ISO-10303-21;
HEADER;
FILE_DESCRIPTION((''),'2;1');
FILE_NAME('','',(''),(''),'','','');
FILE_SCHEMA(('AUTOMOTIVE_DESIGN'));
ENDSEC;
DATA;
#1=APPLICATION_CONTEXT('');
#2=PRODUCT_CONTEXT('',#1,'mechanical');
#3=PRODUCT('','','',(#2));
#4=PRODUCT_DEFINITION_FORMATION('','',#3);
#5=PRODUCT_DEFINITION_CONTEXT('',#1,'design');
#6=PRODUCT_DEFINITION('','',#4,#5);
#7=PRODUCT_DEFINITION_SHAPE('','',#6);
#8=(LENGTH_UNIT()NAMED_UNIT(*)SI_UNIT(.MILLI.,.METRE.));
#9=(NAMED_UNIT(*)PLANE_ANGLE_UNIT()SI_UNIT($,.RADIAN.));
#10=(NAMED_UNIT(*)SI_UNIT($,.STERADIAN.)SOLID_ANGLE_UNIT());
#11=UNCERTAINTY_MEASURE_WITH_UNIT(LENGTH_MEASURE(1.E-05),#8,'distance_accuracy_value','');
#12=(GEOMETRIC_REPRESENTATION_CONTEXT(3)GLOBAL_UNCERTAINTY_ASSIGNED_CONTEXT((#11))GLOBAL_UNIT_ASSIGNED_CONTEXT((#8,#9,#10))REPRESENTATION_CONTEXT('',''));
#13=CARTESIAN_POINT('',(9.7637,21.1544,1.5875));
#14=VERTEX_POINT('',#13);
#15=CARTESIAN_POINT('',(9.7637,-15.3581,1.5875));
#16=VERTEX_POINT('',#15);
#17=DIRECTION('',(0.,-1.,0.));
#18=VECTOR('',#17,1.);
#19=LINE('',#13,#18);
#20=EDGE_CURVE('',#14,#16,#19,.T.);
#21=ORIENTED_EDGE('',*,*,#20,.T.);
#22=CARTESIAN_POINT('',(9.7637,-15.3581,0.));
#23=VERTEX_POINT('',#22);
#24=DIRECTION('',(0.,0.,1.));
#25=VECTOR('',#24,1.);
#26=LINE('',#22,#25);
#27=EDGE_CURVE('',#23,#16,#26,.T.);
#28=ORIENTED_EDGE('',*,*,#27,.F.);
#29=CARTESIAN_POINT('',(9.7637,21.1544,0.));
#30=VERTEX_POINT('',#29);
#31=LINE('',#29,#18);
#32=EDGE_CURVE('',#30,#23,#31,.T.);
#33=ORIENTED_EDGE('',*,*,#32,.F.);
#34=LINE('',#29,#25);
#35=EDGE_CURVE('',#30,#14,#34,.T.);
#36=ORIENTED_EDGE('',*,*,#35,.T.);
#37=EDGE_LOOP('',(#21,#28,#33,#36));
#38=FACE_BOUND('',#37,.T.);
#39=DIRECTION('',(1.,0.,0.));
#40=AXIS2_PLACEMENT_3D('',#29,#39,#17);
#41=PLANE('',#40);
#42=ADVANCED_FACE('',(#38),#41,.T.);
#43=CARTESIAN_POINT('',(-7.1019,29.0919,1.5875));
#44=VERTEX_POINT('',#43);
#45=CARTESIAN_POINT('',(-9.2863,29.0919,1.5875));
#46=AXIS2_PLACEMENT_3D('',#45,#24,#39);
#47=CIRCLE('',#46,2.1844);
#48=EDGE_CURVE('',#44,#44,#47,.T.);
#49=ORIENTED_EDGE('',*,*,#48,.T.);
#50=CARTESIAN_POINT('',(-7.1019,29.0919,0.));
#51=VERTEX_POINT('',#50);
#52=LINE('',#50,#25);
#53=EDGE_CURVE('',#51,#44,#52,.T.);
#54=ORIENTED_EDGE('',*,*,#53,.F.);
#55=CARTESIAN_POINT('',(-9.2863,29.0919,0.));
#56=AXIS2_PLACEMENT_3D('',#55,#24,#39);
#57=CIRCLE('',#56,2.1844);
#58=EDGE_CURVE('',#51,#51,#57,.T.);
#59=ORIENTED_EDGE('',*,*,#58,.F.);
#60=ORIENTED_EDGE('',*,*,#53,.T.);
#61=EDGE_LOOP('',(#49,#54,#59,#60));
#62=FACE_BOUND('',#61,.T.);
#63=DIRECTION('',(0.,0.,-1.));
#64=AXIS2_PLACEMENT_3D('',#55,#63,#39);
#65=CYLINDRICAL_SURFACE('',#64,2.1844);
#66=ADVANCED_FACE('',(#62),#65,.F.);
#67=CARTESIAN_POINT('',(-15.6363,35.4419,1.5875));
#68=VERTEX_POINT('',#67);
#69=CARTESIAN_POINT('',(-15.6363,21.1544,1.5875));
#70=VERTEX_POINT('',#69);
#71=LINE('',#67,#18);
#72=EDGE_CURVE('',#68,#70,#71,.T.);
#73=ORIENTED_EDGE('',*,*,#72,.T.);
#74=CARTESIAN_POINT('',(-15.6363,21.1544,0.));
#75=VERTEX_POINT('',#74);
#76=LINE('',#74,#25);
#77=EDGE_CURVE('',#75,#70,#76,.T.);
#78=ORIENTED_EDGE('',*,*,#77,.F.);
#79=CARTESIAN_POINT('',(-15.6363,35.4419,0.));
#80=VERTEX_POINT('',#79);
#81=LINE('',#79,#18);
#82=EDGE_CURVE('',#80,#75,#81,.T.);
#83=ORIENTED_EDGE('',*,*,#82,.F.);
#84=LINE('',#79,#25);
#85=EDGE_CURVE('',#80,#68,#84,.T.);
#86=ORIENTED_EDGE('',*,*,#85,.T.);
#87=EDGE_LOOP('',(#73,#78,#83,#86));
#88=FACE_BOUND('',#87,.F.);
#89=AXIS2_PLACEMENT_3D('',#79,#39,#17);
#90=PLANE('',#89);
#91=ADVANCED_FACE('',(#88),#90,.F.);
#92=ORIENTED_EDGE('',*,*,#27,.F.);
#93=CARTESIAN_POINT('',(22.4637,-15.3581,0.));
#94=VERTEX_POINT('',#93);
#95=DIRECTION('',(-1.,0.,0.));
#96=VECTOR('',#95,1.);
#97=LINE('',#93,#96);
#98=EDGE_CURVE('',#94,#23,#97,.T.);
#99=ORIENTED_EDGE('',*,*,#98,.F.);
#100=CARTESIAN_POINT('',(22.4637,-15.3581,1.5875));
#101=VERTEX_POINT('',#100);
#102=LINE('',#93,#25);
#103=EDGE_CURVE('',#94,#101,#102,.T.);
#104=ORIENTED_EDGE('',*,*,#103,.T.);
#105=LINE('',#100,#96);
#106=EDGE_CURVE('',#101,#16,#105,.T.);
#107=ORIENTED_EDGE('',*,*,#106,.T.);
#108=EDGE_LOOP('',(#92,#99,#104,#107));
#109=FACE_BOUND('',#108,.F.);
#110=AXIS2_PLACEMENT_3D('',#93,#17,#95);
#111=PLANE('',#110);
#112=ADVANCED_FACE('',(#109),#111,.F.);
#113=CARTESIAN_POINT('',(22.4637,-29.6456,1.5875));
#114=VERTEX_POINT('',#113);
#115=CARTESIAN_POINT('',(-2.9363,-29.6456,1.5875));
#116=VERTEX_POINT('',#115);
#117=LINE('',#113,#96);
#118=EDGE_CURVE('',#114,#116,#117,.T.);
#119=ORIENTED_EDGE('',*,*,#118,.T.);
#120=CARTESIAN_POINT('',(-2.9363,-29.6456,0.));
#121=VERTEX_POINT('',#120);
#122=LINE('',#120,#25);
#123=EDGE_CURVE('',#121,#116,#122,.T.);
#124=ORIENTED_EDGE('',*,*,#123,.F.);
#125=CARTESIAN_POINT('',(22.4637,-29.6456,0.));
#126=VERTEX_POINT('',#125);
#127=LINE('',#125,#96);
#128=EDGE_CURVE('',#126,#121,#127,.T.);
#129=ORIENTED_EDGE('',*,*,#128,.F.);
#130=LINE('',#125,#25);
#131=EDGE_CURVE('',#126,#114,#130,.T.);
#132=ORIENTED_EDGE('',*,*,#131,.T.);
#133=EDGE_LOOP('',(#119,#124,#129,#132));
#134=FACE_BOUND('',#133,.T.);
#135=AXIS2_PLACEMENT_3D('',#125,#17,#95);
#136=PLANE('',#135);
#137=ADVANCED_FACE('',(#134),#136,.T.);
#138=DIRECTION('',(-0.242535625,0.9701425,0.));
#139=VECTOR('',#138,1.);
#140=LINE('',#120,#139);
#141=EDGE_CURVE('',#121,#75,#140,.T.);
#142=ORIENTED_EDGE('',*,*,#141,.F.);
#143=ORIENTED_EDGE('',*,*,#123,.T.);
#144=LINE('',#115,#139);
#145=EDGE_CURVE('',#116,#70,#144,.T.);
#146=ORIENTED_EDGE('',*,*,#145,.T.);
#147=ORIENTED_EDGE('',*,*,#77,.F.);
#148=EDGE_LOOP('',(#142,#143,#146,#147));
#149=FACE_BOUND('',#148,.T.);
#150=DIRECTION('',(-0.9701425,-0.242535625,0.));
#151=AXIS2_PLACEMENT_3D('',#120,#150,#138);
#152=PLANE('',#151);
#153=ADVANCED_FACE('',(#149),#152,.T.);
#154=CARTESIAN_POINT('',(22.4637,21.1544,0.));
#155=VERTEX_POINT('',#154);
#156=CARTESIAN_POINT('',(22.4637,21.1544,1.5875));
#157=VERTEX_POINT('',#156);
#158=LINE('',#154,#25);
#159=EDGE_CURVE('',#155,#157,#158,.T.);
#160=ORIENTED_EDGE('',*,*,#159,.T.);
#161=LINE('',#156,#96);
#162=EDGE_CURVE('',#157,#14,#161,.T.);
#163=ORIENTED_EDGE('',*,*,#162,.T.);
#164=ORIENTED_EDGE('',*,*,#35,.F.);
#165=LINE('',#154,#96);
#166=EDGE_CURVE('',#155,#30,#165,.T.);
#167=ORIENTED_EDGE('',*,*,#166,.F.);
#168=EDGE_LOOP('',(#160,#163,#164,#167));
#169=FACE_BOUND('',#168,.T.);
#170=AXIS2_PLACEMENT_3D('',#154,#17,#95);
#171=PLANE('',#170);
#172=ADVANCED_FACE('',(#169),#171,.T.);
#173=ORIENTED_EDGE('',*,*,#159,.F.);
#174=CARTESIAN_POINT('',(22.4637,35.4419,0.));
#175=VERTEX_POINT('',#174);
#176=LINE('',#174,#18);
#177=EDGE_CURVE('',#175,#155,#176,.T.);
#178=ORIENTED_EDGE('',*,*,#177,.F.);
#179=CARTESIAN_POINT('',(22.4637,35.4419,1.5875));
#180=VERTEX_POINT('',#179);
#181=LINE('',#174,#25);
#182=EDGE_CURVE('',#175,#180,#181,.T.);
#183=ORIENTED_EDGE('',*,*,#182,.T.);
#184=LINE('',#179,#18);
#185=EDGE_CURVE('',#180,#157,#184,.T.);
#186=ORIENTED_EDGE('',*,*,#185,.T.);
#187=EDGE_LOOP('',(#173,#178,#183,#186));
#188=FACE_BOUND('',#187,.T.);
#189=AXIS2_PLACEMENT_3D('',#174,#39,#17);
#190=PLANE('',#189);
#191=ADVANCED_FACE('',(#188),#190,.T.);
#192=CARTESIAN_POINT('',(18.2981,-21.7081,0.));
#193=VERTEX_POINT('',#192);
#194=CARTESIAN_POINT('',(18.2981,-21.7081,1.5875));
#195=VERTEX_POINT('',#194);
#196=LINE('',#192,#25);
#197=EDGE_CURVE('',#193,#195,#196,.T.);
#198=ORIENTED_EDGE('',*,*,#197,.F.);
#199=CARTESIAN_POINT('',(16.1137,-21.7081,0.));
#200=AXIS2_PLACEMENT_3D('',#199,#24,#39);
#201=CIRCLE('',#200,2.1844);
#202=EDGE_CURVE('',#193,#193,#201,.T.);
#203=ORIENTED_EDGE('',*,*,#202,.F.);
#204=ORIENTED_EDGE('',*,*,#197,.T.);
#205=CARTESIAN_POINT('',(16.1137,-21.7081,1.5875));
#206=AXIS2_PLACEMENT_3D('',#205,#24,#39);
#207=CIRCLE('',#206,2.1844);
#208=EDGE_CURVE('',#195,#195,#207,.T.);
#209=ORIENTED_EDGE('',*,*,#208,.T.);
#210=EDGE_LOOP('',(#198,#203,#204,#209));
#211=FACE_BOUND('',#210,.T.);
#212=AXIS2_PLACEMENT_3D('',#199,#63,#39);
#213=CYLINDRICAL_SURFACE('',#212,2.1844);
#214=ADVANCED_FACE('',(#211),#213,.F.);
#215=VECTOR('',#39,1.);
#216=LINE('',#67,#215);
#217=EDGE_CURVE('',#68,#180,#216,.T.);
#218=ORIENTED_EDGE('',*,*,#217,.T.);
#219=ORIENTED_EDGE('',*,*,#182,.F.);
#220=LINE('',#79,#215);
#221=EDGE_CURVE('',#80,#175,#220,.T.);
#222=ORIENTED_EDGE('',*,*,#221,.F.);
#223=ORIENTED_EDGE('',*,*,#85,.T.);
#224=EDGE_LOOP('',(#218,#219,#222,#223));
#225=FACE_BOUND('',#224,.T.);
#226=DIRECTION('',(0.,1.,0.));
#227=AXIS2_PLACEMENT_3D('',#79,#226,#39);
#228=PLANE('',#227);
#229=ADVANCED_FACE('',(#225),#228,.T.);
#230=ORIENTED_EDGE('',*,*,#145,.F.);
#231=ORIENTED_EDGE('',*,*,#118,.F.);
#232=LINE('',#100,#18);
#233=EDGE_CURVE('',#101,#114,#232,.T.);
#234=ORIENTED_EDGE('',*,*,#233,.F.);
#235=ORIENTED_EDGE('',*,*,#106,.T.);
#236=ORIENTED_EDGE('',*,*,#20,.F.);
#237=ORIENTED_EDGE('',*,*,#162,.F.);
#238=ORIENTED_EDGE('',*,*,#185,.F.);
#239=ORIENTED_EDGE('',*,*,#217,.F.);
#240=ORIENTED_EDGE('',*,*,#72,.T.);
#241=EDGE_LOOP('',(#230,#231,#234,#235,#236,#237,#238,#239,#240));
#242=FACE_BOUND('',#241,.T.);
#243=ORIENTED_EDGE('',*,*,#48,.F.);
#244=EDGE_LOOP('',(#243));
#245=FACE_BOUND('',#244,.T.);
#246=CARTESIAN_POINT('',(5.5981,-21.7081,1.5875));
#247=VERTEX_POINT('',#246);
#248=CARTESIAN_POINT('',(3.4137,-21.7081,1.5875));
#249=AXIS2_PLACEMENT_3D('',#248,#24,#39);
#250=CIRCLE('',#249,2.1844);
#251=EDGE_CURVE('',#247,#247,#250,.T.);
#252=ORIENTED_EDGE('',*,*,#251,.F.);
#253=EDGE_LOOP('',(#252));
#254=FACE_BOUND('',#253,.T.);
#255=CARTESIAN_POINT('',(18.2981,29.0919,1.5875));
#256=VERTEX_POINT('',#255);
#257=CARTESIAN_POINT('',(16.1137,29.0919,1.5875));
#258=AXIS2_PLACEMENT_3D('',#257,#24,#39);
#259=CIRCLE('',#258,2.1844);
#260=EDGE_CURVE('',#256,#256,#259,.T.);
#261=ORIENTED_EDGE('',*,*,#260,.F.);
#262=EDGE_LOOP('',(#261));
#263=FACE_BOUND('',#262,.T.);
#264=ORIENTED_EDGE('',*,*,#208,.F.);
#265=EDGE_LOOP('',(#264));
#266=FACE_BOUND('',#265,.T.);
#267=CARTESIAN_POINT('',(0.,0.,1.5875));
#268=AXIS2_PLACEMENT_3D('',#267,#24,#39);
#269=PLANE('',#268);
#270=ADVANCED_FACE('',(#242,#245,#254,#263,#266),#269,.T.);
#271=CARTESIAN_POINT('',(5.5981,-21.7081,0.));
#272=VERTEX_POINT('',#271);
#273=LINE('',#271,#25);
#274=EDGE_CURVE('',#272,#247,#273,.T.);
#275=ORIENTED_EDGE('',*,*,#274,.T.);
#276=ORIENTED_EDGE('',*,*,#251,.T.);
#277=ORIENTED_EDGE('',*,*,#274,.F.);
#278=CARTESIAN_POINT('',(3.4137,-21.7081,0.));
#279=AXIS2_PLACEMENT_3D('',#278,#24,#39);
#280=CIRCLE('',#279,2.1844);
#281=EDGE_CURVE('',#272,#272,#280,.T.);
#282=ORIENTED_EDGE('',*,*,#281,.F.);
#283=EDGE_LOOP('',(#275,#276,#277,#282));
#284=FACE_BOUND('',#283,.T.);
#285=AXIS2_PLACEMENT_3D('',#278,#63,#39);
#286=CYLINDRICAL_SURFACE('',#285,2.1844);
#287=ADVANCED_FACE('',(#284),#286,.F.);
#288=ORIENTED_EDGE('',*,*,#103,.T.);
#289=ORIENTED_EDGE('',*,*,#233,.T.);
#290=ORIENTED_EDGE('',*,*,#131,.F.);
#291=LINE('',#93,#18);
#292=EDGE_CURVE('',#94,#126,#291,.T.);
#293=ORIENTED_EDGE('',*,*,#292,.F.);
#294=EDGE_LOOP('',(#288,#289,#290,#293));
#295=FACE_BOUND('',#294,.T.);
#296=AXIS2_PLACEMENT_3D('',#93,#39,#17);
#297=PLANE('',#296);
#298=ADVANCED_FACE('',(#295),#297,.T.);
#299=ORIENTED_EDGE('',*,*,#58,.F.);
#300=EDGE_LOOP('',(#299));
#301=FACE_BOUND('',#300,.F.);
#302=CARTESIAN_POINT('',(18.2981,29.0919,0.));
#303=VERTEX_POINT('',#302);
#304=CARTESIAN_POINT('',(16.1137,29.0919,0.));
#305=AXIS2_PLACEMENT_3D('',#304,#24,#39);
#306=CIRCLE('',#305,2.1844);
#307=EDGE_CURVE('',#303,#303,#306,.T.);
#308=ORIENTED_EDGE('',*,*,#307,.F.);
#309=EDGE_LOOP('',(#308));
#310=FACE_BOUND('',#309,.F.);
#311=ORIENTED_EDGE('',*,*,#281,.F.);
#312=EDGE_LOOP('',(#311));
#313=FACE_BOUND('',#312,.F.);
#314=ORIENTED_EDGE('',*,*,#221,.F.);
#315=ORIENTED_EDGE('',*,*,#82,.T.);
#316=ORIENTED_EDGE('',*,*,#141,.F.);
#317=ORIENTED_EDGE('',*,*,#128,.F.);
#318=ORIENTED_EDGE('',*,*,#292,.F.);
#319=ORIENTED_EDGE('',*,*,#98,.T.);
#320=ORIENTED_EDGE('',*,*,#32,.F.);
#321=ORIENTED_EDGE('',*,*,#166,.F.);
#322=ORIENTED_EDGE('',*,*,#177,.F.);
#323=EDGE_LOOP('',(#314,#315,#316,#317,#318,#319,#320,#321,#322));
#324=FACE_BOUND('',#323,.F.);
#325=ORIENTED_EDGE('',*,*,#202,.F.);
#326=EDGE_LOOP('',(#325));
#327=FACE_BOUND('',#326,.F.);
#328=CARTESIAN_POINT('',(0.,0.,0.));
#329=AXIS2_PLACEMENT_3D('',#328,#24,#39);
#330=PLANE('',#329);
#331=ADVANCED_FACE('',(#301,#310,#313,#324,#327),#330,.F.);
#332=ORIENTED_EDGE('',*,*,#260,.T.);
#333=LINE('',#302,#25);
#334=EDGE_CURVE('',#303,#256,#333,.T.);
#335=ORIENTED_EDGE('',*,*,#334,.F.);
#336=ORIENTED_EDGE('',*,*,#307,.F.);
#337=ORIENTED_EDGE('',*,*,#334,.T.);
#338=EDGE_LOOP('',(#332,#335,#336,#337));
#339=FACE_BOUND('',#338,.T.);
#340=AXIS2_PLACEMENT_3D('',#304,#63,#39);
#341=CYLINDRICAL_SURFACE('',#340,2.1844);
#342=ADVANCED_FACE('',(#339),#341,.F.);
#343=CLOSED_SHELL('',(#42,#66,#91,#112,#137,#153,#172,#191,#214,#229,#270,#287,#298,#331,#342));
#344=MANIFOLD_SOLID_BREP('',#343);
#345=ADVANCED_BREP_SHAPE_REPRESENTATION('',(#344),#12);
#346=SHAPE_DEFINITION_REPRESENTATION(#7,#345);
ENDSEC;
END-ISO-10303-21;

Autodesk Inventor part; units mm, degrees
ref_plane "YZ Plane" through (0, 0, 0) normal (1, 0, 0) x (0, 1, 0)
ref_plane "XZ Plane" through (0, 0, 0) normal (0, 1, 0) x (-1, 0, 0)
ref_plane "XY Plane" through (0, 0, 0) normal (0, 0, 1) x (1, 0, 0)
sketch "Sketch1" plane through (0, 0, 0) normal (0, 0, 1) x (1, 0, 0)
  line L0 (-15.6363, 35.4419) -> (22.4637, 35.4419)
  line L1 (22.4637, 35.4419) -> (22.4637, 21.1544)
  line L2 (22.4637, -15.3581) -> (22.4637, -29.6456)
  line L3 (-2.9363, -29.6456) -> (-15.6363, 21.1544)
  line L4 (22.4637, 21.1544) -> (9.7637, 21.1544)
  line L5 (9.7637, 21.1544) -> (9.7637, -15.3581)
  line L6 (-15.6363, 35.4419) -> (-15.6363, 21.1544)
  line L7 (22.4637, -15.3581) -> (9.7637, -15.3581)
  line L8 (22.4637, -29.6456) -> (-2.9363, -29.6456)
  circle A0 centre (16.1137, 29.0919) radius 2.1844
  circle A1 centre (-9.2863, 29.0919) radius 2.1844
  circle A2 centre (16.1137, -21.7081) radius 2.1844
  circle A3 centre (3.4137, -21.7081) radius 2.1844
  point P0 (0, 0)
  dimension "d0" = 38.1
  dimension "d1" = 12.7
extrude "Extrusion1" add sketch "Sketch1" along normal blind 1.5875
properties part number "FrontFunnelTop"
